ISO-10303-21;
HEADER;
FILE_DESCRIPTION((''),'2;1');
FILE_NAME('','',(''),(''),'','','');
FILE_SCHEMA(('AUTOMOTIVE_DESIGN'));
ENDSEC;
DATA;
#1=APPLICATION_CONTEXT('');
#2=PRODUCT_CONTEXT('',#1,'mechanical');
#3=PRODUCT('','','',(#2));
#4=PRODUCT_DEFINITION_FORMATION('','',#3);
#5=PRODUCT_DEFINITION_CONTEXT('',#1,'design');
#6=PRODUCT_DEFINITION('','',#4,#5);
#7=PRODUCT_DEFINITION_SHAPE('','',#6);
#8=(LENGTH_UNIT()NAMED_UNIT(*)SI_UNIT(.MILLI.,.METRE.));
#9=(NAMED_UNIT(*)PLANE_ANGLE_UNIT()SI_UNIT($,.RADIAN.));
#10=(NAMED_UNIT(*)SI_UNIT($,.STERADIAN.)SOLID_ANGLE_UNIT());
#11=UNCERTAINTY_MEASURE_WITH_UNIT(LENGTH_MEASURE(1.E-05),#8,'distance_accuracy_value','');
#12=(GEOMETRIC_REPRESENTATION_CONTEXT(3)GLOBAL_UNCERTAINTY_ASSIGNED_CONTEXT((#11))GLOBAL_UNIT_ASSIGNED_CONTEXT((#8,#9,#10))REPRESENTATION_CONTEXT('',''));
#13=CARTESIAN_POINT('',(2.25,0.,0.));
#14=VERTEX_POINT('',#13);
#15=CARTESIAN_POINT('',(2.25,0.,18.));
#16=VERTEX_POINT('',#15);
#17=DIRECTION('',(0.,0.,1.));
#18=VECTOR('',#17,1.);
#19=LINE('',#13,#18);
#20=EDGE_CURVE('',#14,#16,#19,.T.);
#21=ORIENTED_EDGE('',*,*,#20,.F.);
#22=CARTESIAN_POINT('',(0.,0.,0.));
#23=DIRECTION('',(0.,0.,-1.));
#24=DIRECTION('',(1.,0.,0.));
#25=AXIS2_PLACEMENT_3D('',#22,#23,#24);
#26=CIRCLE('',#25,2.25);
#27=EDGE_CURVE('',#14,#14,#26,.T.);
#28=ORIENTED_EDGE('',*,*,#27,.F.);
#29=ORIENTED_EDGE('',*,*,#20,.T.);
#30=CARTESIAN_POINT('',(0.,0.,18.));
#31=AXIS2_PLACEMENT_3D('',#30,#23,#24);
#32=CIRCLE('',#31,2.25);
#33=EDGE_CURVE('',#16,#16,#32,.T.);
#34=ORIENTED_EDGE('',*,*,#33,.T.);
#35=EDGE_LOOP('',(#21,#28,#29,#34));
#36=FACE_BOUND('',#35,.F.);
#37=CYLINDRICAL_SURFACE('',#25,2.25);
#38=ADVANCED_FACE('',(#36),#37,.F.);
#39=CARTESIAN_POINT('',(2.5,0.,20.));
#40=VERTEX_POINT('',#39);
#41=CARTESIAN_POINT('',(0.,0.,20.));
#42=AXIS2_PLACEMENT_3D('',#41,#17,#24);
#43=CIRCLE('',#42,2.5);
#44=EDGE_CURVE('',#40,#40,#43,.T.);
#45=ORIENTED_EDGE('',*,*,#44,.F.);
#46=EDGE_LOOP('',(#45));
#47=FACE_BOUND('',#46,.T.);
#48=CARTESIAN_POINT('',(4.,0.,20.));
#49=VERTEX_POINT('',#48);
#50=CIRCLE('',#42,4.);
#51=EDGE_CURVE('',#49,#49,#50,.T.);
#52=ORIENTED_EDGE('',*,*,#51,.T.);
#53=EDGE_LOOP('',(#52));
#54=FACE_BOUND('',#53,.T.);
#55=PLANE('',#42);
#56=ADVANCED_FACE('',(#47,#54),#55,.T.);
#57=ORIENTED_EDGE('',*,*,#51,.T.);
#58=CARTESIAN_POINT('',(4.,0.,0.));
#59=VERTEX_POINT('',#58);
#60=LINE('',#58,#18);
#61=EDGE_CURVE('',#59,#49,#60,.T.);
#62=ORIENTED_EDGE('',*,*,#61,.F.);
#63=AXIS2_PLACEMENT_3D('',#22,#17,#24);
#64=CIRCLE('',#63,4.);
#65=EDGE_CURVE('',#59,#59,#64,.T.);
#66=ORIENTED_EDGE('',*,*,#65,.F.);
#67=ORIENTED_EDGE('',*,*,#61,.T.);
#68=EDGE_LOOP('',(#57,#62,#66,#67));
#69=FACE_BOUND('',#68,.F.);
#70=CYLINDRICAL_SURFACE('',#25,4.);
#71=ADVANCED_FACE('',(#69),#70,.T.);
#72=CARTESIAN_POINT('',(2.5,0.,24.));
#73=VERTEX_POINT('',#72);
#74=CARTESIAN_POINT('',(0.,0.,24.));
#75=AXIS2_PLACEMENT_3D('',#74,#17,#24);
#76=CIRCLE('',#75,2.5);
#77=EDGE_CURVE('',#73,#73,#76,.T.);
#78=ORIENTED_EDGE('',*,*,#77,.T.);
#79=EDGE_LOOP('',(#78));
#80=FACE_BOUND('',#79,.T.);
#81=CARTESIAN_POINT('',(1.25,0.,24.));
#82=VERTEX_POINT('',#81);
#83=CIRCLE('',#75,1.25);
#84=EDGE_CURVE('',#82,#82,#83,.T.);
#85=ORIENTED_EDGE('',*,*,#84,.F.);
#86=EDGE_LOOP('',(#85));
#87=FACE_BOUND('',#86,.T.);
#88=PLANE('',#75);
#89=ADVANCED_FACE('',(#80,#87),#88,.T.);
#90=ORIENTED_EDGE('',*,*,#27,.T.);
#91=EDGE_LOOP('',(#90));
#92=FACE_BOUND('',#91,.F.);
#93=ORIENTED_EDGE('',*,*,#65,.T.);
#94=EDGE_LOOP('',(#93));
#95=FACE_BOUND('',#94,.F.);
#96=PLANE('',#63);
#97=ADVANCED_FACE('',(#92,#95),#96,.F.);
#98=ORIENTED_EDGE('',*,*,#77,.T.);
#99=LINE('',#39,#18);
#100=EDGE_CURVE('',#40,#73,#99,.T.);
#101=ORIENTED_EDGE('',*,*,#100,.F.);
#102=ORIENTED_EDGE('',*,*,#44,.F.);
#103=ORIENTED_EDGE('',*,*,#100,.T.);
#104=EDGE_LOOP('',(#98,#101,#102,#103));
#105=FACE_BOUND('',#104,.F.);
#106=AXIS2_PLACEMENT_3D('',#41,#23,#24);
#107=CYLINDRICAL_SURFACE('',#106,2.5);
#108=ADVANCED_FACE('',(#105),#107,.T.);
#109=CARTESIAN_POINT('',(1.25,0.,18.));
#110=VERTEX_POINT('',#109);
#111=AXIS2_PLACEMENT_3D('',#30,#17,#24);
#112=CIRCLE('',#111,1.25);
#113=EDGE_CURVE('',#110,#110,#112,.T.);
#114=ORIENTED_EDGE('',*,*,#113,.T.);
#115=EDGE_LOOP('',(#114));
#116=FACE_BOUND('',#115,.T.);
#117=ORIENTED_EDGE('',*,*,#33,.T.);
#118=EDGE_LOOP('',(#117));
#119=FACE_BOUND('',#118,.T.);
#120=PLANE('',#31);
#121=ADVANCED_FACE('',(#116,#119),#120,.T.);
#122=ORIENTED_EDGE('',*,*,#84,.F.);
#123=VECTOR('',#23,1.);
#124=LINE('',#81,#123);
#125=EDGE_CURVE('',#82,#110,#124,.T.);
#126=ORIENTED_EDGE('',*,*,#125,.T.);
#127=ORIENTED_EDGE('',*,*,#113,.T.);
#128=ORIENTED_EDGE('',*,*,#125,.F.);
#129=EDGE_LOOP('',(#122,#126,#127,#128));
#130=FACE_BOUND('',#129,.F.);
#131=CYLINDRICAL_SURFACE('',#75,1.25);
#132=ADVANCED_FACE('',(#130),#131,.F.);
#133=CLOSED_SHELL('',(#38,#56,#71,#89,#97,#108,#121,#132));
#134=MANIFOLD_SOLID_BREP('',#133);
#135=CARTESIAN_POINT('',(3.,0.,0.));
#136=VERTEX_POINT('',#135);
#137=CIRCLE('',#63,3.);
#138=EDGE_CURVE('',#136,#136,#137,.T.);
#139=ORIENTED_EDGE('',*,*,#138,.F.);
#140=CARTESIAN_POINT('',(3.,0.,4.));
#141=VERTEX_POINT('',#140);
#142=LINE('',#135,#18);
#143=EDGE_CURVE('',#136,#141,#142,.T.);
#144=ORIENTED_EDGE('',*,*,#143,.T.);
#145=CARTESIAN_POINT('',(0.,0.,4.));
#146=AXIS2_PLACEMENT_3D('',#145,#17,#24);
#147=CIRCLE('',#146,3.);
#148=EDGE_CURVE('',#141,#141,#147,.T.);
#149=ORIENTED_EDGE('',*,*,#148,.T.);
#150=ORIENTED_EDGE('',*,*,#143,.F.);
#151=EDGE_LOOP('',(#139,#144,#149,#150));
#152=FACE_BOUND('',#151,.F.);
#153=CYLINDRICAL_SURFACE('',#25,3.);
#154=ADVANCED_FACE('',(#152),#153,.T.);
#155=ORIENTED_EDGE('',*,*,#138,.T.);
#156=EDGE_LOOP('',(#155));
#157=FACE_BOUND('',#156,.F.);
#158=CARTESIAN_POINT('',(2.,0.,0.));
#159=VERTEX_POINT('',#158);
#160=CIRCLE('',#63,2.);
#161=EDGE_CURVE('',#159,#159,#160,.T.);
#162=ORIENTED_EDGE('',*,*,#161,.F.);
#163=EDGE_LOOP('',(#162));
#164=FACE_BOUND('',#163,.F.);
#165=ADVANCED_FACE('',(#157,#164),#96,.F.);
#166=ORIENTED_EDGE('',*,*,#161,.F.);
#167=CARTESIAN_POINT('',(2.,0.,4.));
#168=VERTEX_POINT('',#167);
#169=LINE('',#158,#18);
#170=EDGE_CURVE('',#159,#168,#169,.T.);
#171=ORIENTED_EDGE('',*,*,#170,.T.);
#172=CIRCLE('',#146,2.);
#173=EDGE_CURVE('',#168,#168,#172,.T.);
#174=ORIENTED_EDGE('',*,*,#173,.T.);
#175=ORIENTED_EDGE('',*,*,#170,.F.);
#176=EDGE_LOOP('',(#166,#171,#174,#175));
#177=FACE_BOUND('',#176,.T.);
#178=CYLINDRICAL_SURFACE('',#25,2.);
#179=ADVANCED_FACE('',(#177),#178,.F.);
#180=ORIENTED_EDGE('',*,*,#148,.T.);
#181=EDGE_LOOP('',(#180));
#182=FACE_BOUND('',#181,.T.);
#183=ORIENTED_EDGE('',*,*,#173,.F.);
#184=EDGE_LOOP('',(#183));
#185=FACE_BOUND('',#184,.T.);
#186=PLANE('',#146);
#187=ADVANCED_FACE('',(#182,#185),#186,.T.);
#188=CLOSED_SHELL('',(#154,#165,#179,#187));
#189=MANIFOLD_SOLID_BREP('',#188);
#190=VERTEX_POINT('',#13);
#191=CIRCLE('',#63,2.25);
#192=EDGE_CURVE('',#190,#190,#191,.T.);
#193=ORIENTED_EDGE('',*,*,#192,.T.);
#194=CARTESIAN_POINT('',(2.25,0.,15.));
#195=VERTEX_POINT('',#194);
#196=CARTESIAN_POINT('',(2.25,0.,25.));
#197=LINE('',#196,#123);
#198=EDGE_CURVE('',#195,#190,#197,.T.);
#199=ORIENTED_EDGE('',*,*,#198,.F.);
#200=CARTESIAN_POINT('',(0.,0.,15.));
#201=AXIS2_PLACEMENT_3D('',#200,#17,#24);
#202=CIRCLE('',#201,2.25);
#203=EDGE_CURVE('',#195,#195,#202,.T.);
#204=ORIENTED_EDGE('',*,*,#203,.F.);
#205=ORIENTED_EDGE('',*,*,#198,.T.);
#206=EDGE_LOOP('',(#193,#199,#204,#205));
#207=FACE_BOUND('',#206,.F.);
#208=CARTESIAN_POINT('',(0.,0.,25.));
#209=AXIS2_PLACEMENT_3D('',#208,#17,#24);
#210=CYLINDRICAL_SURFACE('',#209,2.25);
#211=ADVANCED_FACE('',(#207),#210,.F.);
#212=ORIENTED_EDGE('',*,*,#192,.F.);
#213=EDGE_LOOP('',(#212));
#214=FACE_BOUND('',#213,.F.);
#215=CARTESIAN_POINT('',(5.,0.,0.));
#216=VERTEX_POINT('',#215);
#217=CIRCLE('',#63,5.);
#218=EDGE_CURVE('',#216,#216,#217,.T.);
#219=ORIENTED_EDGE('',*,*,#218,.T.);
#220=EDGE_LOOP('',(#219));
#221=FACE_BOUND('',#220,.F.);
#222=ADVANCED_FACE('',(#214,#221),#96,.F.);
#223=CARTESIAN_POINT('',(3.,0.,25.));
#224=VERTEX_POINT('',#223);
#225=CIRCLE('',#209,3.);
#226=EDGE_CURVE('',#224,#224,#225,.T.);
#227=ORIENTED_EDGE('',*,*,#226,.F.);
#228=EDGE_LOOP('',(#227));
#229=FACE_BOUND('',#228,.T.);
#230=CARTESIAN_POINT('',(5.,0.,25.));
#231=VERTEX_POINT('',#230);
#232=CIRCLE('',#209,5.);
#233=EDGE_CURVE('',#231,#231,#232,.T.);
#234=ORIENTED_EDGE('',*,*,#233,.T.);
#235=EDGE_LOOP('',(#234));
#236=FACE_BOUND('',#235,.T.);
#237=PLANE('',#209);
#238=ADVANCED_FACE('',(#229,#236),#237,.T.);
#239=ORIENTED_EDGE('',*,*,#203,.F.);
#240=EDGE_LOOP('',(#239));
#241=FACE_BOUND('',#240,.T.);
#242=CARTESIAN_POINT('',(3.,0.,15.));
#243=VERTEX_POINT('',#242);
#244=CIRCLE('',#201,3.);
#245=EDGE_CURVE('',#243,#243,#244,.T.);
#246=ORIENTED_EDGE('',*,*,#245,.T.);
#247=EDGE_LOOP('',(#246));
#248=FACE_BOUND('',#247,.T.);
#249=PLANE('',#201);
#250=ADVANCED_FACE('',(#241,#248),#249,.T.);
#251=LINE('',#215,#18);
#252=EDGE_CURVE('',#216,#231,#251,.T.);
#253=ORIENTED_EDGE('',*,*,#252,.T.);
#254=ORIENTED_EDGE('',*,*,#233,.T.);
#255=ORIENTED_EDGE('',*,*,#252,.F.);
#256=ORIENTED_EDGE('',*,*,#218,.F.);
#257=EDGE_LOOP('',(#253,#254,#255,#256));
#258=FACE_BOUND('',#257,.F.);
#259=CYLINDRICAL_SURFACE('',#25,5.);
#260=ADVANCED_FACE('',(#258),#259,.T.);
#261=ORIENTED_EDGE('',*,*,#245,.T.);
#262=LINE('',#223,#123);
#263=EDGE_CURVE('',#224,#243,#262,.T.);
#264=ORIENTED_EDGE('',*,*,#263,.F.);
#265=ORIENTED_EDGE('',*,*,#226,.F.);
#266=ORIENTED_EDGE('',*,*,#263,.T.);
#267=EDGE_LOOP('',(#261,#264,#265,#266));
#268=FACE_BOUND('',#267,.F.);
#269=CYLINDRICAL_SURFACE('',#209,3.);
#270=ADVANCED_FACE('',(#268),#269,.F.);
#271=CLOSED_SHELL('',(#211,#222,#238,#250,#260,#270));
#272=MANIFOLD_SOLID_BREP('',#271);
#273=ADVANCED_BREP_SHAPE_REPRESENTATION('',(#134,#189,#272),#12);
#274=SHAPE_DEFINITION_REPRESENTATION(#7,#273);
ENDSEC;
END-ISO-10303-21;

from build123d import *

# Parameters (mm, degrees)
F0_R      = 5
F1_DEPTH  = 25
F2_R      = 2.25
F3_DEPTH  = 25.001
F4_R      = 3
F5_DEPTH  = 10
F6_R      = 4
F7_DEPTH  = 20
F8_R      = 2.5
F9_DEPTH  = 4
F10_R     = 1.25
F11_DEPTH = 24.001
F12_R     = 2.25
F13_DEPTH = 18
F14_R     = 3
F14_R_2   = 2
F15_DEPTH = 4


with BuildPart() as f1:
    # F0 (on Top) → F1 (new body)
    with BuildSketch(Plane.XY):
        Circle(F0_R)
    extrude(amount=F1_DEPTH)

    # F2 (on face) → F3 (cut, through all)
    with BuildSketch(Plane.XY.offset(25)):
        Circle(F2_R)
    extrude(amount=-F3_DEPTH, mode=Mode.SUBTRACT)

    # F4 (on face) → F5 (cut)
    with BuildSketch(Plane.XY.offset(25)):
        Circle(F4_R)
    extrude(amount=-F5_DEPTH, mode=Mode.SUBTRACT)


with BuildPart() as f7:
    # F6 (on Top) → F7 (new body)
    with BuildSketch(Plane.XY):
        Circle(F6_R)
    extrude(amount=F7_DEPTH)

    # F8 (on face) → F9 (join)
    with BuildSketch(Plane.XY.offset(20)):
        Circle(F8_R)
    extrude(amount=F9_DEPTH)

    # F10 (on face) → F11 (cut, through all)
    with BuildSketch(Plane.XY.offset(24)):
        Circle(F10_R)
    extrude(amount=-F11_DEPTH, mode=Mode.SUBTRACT)

    # F12 (on face) → F13 (cut)
    with BuildSketch(Plane(origin=(0, 0, 0), x_dir=(1, 0, 0), z_dir=(0, 0, -1))):
        Circle(F12_R)
    extrude(amount=-F13_DEPTH, mode=Mode.SUBTRACT)


with BuildPart() as f15:
    # F14 (on Top) → F15 (new body)
    with BuildSketch(Plane.XY):
        Circle(F14_R)
        Circle(F14_R_2, mode=Mode.SUBTRACT)
    extrude(amount=F15_DEPTH)


solid = Compound([f1.part, f7.part, f15.part])
